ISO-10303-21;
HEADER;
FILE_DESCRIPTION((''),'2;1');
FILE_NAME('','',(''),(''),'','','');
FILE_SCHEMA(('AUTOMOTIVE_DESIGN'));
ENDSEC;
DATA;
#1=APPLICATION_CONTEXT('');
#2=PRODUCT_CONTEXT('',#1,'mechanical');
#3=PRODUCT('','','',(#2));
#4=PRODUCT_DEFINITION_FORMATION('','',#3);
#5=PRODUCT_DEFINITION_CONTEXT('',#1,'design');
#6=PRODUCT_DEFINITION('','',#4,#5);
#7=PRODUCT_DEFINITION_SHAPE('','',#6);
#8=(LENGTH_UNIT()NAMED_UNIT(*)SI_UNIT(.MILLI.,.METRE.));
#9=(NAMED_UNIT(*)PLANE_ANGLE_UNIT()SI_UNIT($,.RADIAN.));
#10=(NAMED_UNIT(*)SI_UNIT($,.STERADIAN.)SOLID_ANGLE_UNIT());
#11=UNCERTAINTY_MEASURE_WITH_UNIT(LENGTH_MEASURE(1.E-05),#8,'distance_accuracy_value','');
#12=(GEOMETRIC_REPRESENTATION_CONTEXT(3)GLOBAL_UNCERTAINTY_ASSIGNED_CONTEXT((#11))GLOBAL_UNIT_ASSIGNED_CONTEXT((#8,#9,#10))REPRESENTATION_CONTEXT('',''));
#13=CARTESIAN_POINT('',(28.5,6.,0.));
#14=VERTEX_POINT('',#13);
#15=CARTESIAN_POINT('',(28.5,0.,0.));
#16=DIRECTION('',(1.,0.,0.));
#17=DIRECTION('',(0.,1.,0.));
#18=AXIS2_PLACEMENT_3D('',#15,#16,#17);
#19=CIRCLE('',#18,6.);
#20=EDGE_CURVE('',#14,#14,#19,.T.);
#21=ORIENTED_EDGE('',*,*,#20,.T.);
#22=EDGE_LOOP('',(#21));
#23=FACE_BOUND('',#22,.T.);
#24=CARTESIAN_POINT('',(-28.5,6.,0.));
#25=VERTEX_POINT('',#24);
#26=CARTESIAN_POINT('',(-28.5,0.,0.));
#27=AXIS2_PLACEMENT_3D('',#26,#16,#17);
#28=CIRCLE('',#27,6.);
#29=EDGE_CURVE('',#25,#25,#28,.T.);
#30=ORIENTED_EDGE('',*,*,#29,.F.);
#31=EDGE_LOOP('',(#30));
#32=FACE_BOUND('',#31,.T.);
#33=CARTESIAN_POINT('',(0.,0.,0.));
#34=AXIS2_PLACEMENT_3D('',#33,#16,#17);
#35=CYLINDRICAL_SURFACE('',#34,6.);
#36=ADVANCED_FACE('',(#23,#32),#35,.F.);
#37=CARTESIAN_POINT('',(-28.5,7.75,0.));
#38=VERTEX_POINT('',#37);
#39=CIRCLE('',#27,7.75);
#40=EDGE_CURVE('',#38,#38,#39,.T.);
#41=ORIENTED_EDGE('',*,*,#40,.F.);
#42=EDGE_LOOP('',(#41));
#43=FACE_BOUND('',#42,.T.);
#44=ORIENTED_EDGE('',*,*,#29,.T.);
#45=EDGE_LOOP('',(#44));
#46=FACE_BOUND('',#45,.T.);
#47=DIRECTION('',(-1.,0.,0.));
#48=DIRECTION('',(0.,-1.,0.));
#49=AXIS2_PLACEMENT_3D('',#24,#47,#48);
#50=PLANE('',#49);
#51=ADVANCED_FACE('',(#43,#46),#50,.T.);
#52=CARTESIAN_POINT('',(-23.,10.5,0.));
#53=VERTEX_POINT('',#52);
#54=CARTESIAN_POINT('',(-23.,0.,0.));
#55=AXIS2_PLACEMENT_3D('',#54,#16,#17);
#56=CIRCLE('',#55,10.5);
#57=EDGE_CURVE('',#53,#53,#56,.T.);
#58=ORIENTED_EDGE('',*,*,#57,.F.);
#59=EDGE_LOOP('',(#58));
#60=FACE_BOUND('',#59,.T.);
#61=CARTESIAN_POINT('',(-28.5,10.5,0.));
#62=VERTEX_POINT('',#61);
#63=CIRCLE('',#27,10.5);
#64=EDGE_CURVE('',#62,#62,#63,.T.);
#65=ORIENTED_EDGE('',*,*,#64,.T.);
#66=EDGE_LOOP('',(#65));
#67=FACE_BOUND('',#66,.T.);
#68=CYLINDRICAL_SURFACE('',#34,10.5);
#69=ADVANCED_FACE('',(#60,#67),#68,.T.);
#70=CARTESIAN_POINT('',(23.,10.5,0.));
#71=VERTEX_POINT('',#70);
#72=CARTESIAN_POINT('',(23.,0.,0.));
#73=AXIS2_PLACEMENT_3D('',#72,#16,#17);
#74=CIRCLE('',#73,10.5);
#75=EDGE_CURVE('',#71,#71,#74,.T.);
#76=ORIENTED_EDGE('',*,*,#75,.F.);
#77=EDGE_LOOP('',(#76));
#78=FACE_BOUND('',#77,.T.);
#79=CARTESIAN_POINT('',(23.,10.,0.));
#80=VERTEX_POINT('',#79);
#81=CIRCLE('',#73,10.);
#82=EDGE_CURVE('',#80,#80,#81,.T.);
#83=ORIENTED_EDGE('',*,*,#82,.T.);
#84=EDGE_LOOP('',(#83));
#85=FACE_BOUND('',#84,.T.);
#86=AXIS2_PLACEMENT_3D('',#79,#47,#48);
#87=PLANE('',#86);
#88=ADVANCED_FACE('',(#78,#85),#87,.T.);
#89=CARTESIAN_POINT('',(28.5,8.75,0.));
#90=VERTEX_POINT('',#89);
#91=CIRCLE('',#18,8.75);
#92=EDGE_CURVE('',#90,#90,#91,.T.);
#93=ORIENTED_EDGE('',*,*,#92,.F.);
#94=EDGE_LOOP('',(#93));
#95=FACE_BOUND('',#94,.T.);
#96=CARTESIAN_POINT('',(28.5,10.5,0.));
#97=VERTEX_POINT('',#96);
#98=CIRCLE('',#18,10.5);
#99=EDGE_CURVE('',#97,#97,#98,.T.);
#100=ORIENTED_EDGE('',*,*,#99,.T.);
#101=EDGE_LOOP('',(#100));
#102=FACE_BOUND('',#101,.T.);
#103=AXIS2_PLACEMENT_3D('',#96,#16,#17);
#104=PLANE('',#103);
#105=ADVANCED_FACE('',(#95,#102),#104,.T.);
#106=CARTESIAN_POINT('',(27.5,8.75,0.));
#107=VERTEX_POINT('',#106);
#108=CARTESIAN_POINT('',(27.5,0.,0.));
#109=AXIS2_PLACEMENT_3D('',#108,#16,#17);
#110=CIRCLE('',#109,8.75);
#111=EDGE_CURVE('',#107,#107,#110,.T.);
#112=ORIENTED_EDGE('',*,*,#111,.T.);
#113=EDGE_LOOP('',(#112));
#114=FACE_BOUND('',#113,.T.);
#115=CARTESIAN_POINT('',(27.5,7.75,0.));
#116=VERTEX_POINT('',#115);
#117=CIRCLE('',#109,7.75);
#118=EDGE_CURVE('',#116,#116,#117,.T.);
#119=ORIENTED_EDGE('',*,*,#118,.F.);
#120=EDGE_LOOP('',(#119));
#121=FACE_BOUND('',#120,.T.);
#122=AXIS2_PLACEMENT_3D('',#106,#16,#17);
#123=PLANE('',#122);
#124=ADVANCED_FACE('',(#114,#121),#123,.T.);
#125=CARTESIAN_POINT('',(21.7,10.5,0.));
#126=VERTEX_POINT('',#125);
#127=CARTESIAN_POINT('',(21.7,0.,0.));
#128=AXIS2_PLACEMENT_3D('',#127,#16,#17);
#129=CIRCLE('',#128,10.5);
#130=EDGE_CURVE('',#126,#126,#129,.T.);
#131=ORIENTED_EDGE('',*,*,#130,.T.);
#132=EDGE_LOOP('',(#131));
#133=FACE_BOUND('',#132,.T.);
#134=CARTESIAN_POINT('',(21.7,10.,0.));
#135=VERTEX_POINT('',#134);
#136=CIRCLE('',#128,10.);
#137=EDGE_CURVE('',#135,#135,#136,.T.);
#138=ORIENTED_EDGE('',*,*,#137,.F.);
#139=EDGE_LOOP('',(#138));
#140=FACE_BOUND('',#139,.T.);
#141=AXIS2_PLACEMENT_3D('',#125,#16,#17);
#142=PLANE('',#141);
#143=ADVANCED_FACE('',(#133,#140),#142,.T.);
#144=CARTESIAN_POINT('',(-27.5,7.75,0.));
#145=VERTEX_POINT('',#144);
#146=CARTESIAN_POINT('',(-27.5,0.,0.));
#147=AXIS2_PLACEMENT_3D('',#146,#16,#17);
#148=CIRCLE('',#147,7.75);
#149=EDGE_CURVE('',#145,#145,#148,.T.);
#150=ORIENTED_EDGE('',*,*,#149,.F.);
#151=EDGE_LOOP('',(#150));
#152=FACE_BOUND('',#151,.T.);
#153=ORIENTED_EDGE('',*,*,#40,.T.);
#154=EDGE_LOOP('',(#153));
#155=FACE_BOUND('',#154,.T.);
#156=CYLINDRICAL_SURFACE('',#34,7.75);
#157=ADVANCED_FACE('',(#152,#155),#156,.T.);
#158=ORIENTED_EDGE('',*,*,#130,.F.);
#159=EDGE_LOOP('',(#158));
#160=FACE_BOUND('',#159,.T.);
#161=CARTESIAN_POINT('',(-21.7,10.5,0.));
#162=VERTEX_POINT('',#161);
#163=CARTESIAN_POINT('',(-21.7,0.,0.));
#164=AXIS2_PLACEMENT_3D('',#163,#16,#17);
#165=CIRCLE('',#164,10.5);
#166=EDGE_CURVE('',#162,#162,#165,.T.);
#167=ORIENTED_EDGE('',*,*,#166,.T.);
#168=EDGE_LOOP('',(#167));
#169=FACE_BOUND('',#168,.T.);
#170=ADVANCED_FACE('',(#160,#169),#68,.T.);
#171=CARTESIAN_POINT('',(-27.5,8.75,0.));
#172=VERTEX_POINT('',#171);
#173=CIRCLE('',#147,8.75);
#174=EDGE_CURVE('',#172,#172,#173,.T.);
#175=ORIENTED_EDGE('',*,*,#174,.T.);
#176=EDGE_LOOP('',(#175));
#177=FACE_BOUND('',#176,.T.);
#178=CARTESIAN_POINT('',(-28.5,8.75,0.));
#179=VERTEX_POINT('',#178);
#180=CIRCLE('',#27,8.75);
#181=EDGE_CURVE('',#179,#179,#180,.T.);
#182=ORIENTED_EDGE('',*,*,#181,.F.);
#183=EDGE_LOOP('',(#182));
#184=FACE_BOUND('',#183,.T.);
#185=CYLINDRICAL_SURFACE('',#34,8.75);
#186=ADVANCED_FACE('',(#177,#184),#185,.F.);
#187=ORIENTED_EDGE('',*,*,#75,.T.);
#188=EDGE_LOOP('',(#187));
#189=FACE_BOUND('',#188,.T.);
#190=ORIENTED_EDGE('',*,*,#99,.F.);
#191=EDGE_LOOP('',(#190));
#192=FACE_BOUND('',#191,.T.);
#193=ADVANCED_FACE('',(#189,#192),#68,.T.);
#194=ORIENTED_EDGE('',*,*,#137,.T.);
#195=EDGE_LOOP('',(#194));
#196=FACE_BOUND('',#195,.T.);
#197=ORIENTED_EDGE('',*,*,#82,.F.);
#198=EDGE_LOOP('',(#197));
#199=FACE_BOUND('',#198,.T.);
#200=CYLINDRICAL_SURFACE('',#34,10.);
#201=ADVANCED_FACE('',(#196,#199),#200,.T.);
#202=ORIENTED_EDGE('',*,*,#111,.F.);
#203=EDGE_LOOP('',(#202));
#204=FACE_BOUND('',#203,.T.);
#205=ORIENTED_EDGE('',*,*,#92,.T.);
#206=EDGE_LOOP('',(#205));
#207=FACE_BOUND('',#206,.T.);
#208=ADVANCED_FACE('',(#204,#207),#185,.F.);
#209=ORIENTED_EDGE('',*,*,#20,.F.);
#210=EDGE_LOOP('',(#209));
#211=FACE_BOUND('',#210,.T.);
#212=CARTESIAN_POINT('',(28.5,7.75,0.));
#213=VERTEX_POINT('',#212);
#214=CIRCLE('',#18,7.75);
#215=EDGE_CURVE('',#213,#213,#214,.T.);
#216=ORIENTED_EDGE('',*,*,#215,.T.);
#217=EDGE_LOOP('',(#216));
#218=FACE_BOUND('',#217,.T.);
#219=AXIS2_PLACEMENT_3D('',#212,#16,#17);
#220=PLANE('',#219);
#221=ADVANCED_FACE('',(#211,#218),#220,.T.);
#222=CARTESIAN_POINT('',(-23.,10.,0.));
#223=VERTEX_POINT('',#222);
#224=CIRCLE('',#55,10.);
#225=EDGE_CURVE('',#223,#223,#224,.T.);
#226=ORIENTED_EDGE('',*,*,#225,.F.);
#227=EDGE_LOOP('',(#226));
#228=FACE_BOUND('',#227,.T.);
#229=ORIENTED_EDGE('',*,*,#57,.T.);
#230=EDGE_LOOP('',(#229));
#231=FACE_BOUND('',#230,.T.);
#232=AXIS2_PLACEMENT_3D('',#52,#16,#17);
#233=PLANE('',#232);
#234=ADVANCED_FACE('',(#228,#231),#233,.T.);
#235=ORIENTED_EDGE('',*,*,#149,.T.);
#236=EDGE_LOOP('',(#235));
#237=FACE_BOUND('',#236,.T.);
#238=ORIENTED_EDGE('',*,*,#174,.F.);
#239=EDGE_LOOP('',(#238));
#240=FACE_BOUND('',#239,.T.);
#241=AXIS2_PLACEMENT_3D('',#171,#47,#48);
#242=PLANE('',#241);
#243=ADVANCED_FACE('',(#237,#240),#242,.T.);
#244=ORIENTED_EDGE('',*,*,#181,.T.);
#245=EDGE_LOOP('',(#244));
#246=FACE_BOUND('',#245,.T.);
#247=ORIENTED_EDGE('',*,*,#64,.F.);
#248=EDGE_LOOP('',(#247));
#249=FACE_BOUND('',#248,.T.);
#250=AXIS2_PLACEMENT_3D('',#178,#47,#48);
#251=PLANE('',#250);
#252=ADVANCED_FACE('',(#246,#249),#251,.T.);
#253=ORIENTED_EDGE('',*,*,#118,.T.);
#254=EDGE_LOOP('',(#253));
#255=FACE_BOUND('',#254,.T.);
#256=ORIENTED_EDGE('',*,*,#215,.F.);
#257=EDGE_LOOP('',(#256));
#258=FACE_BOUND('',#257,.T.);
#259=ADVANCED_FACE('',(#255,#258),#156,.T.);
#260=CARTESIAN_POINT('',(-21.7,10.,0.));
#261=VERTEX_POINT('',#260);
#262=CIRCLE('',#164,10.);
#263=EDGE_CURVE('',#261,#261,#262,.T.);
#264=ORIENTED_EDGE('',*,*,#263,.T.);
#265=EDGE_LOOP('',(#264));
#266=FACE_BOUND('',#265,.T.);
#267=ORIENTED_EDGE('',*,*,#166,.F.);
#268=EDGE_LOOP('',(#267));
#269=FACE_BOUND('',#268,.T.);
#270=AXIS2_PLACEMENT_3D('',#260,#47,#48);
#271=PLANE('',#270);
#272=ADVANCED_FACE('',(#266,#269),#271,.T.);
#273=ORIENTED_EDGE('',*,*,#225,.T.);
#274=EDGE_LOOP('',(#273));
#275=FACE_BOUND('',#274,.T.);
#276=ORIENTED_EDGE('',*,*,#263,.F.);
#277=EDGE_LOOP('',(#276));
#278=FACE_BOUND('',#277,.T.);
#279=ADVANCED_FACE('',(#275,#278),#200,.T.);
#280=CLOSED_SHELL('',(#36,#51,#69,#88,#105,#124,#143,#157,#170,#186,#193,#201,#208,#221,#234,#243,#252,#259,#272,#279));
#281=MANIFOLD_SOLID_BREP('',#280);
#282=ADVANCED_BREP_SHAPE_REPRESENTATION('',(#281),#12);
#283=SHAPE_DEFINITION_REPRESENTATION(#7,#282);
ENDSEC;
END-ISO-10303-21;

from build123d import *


with BuildPart() as part:
    # Esboço1 → Revolução1 (revolve)
    with BuildSketch(Plane.XY):
        Polygon((-28.5, 10.5), (-23, 10.5), (-23, 10), (-21.7, 10), (-21.7, 10.5), (21.7, 10.5), (21.7, 10), (23, 10), (23, 10.5), (28.5, 10.5), (28.5, 8.75), (27.5, 8.75), (27.5, 7.75), (28.5, 7.75), (28.5, 6), (-28.5, 6), (-28.5, 7.75), (-27.5, 7.75), (-27.5, 8.75), (-28.5, 8.75), align=None)
    revolve(axis=Axis((0, 0, 0), (-1, 0, 0)))


solid = part.part
